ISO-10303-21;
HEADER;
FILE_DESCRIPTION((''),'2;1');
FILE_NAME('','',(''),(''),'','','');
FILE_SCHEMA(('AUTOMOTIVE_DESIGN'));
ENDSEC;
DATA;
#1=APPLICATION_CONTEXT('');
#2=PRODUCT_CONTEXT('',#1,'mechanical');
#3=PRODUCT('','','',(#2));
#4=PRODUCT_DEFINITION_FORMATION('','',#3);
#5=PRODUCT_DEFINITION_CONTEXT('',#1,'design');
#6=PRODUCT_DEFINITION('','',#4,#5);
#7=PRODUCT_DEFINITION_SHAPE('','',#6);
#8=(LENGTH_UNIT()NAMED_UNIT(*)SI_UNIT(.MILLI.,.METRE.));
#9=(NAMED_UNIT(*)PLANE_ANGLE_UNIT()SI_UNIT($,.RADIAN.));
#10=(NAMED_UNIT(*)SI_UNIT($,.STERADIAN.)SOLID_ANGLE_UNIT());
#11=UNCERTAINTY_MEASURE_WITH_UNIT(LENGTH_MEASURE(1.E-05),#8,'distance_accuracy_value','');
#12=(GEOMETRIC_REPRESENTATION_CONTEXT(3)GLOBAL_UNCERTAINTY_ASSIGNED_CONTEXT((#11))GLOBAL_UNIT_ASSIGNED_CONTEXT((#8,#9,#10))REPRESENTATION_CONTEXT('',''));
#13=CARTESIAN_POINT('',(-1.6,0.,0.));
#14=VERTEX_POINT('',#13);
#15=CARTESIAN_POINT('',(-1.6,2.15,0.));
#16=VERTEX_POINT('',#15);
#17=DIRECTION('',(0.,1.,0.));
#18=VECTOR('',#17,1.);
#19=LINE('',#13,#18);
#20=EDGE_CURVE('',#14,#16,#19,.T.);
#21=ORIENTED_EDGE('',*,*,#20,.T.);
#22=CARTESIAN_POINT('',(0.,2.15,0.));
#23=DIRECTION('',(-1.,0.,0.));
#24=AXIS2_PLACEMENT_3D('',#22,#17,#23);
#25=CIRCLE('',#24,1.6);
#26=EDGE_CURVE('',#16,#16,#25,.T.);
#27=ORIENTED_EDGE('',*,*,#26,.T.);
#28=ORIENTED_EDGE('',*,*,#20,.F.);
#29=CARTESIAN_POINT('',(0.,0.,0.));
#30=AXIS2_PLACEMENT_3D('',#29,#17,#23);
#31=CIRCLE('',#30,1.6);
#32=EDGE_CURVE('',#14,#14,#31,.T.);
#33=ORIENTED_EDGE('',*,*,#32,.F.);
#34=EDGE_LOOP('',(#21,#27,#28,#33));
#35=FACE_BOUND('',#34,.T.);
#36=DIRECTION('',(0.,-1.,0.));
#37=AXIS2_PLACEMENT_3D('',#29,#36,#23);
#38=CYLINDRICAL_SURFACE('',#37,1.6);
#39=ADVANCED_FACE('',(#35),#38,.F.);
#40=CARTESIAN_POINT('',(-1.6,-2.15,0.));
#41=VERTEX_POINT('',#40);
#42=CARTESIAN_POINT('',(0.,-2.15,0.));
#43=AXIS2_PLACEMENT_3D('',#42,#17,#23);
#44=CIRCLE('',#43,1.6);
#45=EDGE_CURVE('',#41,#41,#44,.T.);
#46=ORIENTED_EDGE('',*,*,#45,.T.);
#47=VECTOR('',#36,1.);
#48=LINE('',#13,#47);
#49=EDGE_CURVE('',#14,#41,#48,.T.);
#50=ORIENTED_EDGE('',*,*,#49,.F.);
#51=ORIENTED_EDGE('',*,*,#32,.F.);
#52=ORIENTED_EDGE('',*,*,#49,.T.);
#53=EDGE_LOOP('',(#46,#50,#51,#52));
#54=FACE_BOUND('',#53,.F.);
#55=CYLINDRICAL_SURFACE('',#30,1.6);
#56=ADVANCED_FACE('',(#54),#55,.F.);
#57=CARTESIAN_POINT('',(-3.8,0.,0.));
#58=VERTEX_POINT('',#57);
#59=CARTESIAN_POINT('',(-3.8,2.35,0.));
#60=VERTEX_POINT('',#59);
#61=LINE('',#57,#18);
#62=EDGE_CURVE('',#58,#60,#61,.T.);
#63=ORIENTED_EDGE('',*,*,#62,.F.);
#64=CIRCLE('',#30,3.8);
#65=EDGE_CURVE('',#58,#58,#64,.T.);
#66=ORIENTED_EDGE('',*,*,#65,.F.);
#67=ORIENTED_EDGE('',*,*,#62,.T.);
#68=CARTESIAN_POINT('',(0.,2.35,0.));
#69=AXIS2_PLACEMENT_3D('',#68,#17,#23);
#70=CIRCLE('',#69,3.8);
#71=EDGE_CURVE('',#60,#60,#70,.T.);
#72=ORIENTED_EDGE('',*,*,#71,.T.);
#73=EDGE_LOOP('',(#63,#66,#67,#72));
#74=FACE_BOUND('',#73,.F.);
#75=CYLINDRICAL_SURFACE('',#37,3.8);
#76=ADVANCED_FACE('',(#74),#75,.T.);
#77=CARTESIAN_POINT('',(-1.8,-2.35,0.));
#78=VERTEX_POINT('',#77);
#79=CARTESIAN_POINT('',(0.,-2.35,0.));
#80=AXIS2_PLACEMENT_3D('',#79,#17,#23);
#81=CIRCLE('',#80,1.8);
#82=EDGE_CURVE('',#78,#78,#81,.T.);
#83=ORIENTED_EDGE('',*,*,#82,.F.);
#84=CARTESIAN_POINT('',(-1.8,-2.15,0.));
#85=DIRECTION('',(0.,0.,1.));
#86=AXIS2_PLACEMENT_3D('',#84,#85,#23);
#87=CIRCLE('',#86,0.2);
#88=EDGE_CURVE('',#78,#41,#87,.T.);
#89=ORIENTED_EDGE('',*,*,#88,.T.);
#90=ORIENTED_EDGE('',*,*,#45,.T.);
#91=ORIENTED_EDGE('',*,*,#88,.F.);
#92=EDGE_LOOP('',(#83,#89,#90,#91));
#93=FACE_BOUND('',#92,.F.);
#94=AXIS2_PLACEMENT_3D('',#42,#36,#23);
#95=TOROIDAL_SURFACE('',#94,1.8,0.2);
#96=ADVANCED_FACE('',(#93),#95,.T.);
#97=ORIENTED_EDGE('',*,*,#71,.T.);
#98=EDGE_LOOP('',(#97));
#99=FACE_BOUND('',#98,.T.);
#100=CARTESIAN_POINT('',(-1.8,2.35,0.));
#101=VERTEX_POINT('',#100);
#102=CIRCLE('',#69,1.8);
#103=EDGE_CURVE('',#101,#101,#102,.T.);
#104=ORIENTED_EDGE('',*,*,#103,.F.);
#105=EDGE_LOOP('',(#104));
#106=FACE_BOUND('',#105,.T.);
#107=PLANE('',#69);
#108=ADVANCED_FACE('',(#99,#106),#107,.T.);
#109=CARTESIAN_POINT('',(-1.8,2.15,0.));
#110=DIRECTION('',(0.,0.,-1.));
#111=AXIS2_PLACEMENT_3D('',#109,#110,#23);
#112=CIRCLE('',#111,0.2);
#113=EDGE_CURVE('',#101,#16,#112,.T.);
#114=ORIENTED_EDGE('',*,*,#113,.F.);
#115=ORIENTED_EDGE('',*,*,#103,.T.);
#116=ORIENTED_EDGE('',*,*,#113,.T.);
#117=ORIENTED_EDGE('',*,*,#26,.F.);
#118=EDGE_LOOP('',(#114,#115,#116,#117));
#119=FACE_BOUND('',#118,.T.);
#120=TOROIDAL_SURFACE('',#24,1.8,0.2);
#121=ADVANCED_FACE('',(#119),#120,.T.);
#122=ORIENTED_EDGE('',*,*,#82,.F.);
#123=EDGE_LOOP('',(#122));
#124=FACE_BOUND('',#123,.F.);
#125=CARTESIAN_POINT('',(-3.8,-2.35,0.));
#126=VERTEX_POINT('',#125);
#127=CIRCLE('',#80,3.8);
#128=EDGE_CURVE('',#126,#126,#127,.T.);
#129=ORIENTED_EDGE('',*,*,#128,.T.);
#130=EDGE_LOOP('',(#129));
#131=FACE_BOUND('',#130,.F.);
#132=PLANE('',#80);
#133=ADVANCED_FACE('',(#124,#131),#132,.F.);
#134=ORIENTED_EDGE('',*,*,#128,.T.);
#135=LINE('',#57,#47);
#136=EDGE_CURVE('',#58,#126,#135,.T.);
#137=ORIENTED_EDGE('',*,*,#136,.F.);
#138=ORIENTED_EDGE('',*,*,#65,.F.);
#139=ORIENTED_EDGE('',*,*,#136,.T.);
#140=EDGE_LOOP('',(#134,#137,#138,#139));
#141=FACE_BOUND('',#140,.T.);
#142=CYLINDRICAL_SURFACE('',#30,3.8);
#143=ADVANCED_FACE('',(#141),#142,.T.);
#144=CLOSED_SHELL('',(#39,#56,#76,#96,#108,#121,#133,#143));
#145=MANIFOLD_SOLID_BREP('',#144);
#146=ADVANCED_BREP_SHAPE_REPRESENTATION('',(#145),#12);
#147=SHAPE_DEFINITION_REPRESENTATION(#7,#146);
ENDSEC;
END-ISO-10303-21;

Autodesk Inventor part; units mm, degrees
ref_plane "YZ Plane" through (0, 0, 0) normal (1, 0, 0) x (0, 1, 0)
ref_plane "XZ Plane" through (0, 0, 0) normal (0, 1, 0) x (-1, 0, 0)
ref_plane "XY Plane" through (0, 0, 0) normal (0, 0, 1) x (1, 0, 0)
sketch "Sketch1" plane through (0, 0, 0) normal (0, 1, 0) x (-1, 0, 0)
  circle A0 centre (0, 0) radius 1.6
  circle A1 centre (0, 0) radius 3.8
  dimension "d0" = 3.2
  dimension "d1" = 2.2
extrude "Extrusion1" add sketch "Sketch1" along normal mid plane 4.7
fillet "Fillet1" radius 0.2 2 edges at (1.6, 2.35, 0) (1.6, -2.35, 0)
properties part number "Soportes tarjeta conectora CAEN"
